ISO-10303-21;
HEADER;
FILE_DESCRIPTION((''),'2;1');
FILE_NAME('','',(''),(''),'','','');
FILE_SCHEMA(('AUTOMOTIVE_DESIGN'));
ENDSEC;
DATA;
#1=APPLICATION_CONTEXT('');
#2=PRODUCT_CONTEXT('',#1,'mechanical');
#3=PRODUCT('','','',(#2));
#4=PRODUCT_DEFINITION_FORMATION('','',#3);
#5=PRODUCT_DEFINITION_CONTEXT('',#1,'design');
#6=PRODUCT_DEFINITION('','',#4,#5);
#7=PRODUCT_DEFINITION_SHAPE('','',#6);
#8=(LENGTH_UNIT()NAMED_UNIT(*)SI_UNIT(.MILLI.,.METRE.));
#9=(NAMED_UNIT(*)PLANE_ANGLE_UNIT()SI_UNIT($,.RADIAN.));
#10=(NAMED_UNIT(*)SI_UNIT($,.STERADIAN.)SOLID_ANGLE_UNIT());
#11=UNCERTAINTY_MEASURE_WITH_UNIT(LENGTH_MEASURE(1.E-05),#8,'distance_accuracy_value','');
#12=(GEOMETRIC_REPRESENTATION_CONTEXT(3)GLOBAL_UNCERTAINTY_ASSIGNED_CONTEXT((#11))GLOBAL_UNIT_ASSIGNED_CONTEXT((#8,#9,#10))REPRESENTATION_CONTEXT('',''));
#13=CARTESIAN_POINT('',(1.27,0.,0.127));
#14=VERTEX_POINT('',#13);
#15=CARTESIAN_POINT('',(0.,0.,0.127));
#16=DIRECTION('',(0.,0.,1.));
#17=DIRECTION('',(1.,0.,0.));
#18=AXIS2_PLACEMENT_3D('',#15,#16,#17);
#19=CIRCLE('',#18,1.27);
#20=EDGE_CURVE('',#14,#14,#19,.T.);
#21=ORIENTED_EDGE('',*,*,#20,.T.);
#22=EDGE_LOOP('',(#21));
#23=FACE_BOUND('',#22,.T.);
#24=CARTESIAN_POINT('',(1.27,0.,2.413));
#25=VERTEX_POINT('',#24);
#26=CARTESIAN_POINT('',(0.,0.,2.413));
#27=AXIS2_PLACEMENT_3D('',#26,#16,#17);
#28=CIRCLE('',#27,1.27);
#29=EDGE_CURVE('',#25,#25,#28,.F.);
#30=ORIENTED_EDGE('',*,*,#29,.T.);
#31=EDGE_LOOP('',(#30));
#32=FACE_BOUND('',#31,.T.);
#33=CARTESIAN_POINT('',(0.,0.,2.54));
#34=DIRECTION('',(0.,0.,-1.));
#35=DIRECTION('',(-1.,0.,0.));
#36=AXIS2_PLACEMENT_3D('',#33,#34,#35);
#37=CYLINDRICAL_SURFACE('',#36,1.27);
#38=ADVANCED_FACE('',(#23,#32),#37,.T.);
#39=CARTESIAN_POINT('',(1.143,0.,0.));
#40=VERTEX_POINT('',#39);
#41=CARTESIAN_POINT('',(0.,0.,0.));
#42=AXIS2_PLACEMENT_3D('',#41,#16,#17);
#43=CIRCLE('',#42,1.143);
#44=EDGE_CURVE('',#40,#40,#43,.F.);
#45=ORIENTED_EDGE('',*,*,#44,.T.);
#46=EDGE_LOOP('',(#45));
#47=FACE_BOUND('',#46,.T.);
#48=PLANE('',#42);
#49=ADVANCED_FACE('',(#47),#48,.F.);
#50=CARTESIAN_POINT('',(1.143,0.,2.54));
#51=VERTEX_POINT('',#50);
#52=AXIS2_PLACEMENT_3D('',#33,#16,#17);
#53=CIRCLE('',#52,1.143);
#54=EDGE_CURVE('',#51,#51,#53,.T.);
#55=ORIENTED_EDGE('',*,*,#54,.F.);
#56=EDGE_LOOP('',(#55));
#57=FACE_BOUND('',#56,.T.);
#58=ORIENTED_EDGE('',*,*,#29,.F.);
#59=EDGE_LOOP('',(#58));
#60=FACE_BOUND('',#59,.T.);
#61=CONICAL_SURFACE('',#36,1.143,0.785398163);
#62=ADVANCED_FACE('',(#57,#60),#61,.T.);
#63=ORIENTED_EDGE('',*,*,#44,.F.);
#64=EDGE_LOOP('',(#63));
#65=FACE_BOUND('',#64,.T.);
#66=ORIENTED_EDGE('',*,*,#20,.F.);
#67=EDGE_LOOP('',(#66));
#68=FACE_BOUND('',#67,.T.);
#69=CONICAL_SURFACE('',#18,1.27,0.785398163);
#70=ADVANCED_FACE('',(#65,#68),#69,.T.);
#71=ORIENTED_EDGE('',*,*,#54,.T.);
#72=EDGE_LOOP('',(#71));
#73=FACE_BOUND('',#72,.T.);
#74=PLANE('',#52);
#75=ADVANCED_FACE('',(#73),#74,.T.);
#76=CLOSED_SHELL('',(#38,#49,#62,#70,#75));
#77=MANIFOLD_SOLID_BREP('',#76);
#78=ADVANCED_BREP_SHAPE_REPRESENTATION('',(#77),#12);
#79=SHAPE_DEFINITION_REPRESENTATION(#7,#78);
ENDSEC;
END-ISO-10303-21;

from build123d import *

# Parameters (mm, degrees)
SKETCH1_R           = 1.27
BOSS_EXTRUDE1_DEPTH = 2.54
CHAMFER1_SIZE       = 0.127


with BuildPart() as part:
    # Sketch1 → Boss-Extrude1 (new body)
    with BuildSketch(Plane.XY):
        Circle(SKETCH1_R)
    extrude(amount=BOSS_EXTRUDE1_DEPTH)

    # Chamfer1
    chamfer1_edges = [part.edges().sort_by_distance(p)[0] for p in [
        (-1.27, 0, 0),
        (-1.27, 0, 2.54),
    ]]
    chamfer(chamfer1_edges, length=CHAMFER1_SIZE)


solid = part.part
